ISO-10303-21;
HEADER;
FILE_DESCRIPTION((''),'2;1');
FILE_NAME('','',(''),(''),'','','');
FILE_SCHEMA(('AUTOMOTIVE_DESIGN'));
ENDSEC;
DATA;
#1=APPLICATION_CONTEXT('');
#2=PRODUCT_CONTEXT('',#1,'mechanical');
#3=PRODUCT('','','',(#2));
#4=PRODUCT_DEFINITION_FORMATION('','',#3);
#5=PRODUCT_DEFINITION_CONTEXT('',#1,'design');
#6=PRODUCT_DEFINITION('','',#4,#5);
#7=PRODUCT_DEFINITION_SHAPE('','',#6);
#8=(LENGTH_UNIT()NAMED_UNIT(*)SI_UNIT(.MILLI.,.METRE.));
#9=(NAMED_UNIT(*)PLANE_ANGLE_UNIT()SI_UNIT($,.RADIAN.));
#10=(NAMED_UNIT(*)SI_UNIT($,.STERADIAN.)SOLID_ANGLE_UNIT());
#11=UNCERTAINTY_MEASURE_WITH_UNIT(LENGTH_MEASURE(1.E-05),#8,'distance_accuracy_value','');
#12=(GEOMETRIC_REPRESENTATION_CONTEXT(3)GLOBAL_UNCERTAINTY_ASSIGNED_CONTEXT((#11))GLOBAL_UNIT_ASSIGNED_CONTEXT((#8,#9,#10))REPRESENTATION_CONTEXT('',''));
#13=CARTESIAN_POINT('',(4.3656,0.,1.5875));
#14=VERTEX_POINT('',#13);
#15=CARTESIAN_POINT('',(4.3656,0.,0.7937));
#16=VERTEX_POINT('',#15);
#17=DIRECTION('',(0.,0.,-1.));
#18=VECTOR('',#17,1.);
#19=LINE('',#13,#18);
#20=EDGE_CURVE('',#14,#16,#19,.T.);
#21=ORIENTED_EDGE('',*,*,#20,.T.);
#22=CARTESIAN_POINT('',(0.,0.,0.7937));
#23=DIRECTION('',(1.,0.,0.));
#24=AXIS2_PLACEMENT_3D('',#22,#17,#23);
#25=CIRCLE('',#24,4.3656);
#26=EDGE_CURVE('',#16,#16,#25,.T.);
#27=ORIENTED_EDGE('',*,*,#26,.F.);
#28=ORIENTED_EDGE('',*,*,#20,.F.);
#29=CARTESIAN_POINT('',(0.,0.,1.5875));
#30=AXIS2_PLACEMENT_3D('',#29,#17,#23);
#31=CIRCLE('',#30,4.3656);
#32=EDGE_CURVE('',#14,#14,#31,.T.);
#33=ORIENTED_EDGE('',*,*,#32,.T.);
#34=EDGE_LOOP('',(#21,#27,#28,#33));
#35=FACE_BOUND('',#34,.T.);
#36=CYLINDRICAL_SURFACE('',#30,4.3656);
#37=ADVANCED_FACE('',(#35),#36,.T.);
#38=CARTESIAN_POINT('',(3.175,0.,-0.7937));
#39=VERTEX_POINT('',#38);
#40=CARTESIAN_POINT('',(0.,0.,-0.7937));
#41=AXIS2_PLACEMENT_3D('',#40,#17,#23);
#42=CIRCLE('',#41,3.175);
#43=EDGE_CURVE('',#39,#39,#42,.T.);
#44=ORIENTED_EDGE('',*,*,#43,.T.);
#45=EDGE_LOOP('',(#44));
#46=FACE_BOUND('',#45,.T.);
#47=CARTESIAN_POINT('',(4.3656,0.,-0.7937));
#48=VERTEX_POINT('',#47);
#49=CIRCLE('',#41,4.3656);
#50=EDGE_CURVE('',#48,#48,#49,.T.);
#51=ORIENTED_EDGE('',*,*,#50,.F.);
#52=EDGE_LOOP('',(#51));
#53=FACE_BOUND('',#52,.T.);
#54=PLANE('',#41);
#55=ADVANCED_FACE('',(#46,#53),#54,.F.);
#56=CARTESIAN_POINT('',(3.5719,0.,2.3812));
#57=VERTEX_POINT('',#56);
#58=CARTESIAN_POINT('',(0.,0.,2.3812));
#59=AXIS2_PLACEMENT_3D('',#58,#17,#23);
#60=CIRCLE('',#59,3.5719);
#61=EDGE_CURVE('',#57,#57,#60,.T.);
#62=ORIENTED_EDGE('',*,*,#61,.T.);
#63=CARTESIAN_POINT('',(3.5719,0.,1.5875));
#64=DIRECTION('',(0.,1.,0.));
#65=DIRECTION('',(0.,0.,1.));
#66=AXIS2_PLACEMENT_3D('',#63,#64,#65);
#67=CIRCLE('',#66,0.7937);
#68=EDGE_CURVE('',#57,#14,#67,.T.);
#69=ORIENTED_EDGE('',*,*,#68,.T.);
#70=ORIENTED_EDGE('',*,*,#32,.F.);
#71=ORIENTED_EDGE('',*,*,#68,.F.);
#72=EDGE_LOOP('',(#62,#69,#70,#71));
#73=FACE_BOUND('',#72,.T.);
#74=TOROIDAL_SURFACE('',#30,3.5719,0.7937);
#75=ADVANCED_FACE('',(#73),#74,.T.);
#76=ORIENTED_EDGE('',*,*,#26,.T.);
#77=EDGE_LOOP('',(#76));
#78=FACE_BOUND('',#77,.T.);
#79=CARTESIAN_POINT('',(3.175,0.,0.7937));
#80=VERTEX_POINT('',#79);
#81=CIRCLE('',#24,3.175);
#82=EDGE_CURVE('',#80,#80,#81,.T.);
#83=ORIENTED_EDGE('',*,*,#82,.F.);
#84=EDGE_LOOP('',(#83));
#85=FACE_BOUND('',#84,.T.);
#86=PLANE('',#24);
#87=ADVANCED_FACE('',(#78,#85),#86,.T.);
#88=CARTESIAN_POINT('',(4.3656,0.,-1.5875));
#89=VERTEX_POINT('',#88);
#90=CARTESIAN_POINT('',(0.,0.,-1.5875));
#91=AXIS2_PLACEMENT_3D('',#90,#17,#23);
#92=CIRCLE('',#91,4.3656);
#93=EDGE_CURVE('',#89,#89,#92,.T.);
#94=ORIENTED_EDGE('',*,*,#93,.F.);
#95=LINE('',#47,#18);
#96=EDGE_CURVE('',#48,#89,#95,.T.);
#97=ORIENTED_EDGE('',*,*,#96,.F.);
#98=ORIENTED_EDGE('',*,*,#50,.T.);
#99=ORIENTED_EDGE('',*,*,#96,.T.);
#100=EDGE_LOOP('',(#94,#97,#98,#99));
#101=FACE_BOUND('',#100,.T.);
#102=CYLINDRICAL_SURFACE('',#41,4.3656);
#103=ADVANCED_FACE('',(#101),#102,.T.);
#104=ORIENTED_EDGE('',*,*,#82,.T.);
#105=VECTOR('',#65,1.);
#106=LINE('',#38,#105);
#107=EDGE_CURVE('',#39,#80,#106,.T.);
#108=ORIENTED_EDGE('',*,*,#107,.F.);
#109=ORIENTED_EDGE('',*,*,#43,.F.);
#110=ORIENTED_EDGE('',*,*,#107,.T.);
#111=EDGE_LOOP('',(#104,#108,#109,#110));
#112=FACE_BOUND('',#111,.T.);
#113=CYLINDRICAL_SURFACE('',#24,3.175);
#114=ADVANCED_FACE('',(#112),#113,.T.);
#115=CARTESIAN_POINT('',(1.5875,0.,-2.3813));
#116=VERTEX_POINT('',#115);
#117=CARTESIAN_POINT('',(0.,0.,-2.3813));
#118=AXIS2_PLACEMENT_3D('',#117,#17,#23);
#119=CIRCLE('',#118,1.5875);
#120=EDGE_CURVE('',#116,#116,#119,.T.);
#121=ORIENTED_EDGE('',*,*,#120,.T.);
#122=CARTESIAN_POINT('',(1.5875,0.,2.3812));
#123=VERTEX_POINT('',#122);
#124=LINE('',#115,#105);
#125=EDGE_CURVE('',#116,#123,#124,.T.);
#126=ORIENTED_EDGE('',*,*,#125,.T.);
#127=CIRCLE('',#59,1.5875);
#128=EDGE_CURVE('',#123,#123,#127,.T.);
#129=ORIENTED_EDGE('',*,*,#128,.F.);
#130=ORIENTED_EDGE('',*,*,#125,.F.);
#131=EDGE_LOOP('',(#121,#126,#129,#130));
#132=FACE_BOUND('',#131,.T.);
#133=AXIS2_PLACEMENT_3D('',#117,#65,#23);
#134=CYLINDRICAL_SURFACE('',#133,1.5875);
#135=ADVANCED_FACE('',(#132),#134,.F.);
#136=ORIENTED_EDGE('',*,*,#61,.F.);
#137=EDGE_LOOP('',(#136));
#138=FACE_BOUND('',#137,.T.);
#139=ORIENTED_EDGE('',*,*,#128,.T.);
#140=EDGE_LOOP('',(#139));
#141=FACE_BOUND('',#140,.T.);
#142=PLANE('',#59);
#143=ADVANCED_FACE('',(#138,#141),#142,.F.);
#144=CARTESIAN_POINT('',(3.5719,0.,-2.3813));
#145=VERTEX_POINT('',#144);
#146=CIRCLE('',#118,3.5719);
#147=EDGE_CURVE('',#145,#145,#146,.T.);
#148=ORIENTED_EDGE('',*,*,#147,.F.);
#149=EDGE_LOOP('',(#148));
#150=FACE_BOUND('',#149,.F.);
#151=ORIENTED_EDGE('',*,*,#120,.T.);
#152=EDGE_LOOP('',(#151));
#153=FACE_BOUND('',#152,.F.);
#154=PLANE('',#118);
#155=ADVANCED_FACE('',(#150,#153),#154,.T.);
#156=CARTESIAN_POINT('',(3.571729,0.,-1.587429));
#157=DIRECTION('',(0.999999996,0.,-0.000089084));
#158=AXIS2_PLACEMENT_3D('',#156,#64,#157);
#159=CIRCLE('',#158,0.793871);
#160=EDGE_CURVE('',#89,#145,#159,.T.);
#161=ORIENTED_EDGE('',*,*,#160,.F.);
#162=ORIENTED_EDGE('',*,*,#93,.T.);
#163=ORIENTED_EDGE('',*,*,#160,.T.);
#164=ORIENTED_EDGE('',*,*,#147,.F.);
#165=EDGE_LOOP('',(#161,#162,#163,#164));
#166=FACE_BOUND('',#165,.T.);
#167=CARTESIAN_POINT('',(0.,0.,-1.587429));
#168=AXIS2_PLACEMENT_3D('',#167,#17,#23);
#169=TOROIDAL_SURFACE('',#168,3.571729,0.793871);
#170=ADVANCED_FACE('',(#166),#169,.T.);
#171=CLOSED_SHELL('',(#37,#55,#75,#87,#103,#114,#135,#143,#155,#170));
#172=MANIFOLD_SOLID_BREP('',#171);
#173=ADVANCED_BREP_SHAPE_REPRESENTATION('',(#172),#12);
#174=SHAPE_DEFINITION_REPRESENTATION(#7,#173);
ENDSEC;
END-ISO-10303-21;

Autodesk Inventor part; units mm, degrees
ref_plane "YZ Plane" through (0, 0, 0) normal (1, 0, 0) x (0, 1, 0)
ref_plane "XZ Plane" through (0, 0, 0) normal (0, 1, 0) x (-1, 0, 0)
ref_plane "XY Plane" through (0, 0, 0) normal (0, 0, 1) x (1, 0, 0)
sketch "Skizze2" plane through (0, 0, 0) normal (0, 1, 0) x (-1, 0, 0)
  line L0 (-1.5875, -2.3813) -> (-1.5875, 2.3812)
  line L1 (-1.5875, 2.3812) -> (-3.5719, 2.3812)
  arc A0 (-3.5719, 2.3812) -> (-4.3656, 1.5875) centre (-3.5719, 1.5875) ccw
  line L2 (-4.3656, 1.5875) -> (-4.3656, 0.7937)
  line L3 (-4.3656, 0.7937) -> (-3.175, 0.7937)
  line L4 (-3.175, 0.7937) -> (-3.175, -0.7937)
  line L5 (-3.175, -0.7937) -> (-4.3656, -0.7937)
  line L6 (-4.3656, -0.7937) -> (-4.3656, -1.5875)
  line L7 (-1.5875, -2.3813) -> (-3.5719, -2.3813)
  arc A1 (-4.3656, -1.5875) -> (-3.5719, -2.3813) centre (-3.5719, -1.5875) ccw
  line L8 (0, 2.3813) -> (0, -2.3813)
  line L9 (-5.436, 0) -> (0.906, 0) projected
  point P0 (0, 0)
  point P1 (0, 0)
  dimension "d0" = 3.175
  dimension "d1" = 6.35
  dimension "d2" = 8.7312
  dimension "d3" = 1.5875
  dimension "d4" = 4.7625
  dimension "d5" = 0.7937
revolve "Umdrehung1" add sketch "Skizze2" angle 360 about axis through (0, 0, 2.3813) along (0, 0, -1)
properties part number "Gummitülle 3mm" material "Gummi"
